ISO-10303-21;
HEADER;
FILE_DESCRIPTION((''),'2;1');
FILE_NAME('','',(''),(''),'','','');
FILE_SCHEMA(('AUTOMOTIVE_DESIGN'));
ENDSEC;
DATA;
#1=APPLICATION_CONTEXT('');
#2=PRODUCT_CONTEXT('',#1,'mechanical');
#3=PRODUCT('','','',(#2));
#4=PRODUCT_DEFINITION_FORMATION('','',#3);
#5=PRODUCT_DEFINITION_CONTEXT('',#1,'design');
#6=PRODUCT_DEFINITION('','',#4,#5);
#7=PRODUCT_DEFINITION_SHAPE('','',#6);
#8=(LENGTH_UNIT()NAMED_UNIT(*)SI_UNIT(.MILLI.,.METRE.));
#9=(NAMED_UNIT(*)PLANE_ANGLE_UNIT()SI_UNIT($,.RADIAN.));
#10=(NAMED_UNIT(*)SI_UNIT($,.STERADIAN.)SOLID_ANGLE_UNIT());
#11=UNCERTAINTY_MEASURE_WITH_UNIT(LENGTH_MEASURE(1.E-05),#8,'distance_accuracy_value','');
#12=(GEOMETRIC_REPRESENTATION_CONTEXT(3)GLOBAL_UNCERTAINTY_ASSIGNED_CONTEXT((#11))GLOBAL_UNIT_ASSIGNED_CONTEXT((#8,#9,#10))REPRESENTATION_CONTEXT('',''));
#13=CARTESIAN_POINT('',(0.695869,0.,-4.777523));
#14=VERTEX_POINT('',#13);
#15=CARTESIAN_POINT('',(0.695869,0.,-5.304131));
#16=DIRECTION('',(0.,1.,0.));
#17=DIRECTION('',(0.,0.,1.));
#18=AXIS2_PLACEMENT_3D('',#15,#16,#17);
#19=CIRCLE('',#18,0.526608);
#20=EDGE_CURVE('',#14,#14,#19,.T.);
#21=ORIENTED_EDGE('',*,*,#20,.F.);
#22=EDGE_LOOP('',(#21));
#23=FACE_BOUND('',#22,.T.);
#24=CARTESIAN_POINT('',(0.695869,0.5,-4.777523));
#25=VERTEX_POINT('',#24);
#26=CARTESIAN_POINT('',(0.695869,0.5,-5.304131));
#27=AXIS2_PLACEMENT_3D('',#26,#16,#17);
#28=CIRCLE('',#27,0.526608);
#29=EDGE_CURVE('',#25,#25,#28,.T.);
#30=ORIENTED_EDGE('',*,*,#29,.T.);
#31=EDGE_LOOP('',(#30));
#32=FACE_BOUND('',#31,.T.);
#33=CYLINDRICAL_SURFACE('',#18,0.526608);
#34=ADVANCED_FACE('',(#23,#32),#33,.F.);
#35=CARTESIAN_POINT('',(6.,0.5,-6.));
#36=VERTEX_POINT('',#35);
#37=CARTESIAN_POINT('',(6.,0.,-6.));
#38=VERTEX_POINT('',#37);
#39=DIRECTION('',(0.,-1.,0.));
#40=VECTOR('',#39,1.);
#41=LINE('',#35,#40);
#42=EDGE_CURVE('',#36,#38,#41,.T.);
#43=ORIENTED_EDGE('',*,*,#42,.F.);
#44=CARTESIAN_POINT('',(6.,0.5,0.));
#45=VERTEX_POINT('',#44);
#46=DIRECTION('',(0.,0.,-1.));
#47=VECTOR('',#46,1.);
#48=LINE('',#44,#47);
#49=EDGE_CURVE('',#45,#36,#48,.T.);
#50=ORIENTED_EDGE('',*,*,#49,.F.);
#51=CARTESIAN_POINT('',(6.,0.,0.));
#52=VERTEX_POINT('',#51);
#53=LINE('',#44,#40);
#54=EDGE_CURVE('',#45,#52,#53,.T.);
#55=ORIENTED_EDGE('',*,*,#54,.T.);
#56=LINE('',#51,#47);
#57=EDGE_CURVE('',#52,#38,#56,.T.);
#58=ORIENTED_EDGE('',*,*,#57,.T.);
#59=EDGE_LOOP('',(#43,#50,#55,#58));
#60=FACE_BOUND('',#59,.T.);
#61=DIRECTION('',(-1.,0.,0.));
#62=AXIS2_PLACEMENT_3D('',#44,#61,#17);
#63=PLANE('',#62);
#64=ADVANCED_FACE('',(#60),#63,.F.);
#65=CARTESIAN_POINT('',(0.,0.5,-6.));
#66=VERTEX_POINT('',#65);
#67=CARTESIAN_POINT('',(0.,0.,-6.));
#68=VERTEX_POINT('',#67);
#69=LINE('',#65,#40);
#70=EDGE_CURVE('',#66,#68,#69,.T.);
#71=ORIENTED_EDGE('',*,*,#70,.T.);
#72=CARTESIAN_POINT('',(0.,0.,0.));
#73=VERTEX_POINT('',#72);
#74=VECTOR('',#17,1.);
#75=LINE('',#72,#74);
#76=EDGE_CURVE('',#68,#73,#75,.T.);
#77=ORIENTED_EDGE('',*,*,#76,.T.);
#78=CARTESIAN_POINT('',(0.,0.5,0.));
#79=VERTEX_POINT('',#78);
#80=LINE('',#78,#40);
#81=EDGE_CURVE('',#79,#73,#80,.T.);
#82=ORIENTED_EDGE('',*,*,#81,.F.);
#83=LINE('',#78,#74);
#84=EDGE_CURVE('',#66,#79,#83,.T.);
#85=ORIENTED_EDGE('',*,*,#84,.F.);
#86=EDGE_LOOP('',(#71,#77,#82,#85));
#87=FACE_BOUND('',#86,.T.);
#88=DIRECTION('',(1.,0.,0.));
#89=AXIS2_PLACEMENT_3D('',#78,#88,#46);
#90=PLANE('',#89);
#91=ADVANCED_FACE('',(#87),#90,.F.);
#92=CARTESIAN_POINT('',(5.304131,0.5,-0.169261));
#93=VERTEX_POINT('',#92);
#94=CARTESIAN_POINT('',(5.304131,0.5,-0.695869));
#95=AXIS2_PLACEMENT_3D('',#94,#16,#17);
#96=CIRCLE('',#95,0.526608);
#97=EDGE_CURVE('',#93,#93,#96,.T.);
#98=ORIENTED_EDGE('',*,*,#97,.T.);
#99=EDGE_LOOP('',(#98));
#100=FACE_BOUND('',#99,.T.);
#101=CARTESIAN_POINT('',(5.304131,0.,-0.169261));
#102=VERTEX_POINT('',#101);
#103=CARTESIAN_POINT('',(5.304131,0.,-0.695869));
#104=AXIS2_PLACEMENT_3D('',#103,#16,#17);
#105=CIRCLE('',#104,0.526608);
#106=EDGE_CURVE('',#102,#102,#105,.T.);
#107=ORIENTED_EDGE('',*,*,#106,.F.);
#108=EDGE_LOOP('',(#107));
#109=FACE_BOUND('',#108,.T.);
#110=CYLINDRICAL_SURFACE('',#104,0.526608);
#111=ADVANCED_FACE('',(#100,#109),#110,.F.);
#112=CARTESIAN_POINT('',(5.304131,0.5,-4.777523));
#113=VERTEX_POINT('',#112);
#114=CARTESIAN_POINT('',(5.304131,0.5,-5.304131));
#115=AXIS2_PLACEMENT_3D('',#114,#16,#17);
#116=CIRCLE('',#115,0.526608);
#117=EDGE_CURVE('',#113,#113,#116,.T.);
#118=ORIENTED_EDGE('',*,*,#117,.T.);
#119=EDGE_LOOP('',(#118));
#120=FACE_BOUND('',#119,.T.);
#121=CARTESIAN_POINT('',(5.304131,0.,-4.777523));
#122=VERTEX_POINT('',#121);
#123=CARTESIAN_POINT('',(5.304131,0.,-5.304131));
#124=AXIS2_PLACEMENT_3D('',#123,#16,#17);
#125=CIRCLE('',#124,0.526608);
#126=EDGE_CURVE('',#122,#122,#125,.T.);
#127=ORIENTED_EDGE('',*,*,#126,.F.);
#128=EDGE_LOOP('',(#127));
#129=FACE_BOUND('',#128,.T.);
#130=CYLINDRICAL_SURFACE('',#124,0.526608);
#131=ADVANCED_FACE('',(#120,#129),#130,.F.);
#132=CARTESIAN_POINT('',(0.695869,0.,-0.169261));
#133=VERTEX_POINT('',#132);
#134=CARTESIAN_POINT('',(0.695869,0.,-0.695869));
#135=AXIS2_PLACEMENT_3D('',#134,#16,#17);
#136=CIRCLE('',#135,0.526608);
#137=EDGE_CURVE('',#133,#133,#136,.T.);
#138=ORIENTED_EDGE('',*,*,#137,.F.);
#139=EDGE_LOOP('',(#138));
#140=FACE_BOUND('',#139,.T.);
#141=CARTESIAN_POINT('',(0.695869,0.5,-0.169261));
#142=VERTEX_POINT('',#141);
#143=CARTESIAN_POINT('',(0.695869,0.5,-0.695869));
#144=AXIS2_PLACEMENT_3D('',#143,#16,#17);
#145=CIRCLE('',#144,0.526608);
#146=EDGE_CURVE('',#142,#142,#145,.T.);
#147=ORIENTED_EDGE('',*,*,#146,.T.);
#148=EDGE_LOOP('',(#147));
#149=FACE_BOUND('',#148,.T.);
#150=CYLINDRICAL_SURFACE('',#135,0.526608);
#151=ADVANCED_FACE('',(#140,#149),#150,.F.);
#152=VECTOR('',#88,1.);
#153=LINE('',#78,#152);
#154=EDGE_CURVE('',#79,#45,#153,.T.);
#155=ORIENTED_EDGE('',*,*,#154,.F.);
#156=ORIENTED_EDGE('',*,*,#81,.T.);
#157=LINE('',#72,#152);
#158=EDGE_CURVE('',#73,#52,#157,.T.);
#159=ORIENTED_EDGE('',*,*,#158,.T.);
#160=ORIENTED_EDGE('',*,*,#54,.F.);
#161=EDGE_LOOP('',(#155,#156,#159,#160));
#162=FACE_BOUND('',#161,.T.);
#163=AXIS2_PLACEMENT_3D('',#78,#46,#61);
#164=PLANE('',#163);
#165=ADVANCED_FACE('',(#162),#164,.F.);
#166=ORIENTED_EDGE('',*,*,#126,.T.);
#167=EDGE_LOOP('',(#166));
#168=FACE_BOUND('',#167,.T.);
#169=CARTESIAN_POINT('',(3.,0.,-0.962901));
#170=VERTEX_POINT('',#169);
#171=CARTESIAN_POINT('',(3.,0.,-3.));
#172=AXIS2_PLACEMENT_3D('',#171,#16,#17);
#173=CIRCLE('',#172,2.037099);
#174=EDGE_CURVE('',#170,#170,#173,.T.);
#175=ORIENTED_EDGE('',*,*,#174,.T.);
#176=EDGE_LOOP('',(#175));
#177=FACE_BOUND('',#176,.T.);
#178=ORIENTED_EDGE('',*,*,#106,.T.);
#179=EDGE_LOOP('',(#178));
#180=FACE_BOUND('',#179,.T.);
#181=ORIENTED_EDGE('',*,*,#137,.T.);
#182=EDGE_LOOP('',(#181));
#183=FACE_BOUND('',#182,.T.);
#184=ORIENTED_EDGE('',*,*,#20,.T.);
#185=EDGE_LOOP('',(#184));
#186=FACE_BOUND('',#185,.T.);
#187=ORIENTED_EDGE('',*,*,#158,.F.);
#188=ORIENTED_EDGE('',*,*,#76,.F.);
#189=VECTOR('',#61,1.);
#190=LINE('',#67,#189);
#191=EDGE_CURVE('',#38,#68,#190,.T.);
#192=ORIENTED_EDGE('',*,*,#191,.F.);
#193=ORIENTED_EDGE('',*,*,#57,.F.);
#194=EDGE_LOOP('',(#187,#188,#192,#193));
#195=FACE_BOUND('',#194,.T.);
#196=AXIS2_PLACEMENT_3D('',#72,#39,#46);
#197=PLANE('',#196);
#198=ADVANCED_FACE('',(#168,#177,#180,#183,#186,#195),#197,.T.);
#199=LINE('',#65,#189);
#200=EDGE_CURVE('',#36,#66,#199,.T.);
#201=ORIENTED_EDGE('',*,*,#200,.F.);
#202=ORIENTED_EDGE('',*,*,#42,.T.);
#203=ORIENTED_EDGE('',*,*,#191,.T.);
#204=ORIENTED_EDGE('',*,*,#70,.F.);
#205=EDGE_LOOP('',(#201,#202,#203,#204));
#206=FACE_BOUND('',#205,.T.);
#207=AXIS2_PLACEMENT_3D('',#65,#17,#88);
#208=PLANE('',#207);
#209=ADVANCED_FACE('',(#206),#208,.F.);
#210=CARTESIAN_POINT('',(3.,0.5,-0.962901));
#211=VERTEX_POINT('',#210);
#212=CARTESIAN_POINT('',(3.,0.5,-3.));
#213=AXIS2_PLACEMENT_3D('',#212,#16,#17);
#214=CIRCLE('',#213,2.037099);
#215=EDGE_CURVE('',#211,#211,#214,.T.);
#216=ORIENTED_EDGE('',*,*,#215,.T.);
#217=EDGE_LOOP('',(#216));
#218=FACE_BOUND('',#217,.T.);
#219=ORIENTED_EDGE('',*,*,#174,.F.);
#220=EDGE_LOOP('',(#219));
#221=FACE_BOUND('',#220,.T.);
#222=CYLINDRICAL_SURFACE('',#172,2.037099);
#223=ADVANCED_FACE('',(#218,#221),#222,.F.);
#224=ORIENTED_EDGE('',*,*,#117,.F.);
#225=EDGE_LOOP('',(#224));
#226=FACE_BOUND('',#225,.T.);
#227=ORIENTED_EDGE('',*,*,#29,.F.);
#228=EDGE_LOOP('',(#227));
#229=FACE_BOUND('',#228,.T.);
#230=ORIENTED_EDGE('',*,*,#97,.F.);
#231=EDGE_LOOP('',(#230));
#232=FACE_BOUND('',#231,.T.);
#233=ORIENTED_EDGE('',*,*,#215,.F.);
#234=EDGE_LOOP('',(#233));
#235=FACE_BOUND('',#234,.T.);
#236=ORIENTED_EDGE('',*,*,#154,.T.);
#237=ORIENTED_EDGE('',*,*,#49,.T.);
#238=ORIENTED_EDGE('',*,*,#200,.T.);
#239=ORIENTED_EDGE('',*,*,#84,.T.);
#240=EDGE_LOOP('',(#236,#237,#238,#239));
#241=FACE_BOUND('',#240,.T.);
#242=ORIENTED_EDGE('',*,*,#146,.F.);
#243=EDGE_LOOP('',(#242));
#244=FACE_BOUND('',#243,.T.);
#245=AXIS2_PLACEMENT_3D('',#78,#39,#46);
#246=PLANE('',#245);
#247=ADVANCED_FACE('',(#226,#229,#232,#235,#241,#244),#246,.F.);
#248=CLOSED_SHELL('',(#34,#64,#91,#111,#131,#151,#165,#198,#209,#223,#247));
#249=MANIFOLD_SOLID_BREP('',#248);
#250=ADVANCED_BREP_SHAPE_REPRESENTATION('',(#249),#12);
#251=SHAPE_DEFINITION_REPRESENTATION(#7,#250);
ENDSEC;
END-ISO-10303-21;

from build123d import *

# Parameters (mm, degrees)
ESQUISSE1_W             = 6
ESQUISSE1_H             = 6
EXTRUSION1_DEPTH        = 0.5
ESQUISSE2_R             = 2.037099296
ENL_V_MAT_EXTRU_1_DEPTH = 1.5
ESQUISSE3_R             = 0.526608141
ENL_V_MAT_EXTRU_3_DEPTH = 1.5


with BuildPart() as part:
    # Esquisse1 → Extrusion1 (new body)
    with BuildSketch(Plane(origin=(0, 0, 0), x_dir=(1, 0, 0), z_dir=(0, 1, 0))):
        with Locations((3, 3)):
            Rectangle(ESQUISSE1_W, ESQUISSE1_H)
    extrude(amount=EXTRUSION1_DEPTH)

    # Esquisse2 → Enlèv. mat.-Extru.1 (cut, through all)
    with BuildSketch(Plane(origin=(0, 0.5, 0), x_dir=(-1, 0, 0), z_dir=(0, 1, 0))):
        with Locations(Location((-3, -3, 0), (0, 0, 90))):  # turned: the seam where the file's is
            Circle(ESQUISSE2_R)
    extrude(amount=-ENL_V_MAT_EXTRU_1_DEPTH, mode=Mode.SUBTRACT)

    # Esquisse3 → Enlèv. mat.-Extru.3 (cut, through all)
    with BuildSketch(Plane(origin=(0, 0.5, 0), x_dir=(-1, 0, 0), z_dir=(0, 1, 0))):
        with Locations(Location((-0.695868946, -5.304131054, 0), (0, 0, 90))):  # turned: the seam where the file's is
            Circle(ESQUISSE3_R)
        with Locations(Location((-5.304131054, -5.304131054, 0), (0, 0, 90))):  # turned: the seam where the file's is
            Circle(ESQUISSE3_R)
        with Locations(Location((-5.304131054, -0.695868946, 0), (0, 0, 90))):  # turned: the seam where the file's is
            Circle(ESQUISSE3_R)
        with Locations(Location((-0.695868946, -0.695868946, 0), (0, 0, 90))):  # turned: the seam where the file's is
            Circle(ESQUISSE3_R)
    extrude(amount=-ENL_V_MAT_EXTRU_3_DEPTH, mode=Mode.SUBTRACT)


solid = part.part
